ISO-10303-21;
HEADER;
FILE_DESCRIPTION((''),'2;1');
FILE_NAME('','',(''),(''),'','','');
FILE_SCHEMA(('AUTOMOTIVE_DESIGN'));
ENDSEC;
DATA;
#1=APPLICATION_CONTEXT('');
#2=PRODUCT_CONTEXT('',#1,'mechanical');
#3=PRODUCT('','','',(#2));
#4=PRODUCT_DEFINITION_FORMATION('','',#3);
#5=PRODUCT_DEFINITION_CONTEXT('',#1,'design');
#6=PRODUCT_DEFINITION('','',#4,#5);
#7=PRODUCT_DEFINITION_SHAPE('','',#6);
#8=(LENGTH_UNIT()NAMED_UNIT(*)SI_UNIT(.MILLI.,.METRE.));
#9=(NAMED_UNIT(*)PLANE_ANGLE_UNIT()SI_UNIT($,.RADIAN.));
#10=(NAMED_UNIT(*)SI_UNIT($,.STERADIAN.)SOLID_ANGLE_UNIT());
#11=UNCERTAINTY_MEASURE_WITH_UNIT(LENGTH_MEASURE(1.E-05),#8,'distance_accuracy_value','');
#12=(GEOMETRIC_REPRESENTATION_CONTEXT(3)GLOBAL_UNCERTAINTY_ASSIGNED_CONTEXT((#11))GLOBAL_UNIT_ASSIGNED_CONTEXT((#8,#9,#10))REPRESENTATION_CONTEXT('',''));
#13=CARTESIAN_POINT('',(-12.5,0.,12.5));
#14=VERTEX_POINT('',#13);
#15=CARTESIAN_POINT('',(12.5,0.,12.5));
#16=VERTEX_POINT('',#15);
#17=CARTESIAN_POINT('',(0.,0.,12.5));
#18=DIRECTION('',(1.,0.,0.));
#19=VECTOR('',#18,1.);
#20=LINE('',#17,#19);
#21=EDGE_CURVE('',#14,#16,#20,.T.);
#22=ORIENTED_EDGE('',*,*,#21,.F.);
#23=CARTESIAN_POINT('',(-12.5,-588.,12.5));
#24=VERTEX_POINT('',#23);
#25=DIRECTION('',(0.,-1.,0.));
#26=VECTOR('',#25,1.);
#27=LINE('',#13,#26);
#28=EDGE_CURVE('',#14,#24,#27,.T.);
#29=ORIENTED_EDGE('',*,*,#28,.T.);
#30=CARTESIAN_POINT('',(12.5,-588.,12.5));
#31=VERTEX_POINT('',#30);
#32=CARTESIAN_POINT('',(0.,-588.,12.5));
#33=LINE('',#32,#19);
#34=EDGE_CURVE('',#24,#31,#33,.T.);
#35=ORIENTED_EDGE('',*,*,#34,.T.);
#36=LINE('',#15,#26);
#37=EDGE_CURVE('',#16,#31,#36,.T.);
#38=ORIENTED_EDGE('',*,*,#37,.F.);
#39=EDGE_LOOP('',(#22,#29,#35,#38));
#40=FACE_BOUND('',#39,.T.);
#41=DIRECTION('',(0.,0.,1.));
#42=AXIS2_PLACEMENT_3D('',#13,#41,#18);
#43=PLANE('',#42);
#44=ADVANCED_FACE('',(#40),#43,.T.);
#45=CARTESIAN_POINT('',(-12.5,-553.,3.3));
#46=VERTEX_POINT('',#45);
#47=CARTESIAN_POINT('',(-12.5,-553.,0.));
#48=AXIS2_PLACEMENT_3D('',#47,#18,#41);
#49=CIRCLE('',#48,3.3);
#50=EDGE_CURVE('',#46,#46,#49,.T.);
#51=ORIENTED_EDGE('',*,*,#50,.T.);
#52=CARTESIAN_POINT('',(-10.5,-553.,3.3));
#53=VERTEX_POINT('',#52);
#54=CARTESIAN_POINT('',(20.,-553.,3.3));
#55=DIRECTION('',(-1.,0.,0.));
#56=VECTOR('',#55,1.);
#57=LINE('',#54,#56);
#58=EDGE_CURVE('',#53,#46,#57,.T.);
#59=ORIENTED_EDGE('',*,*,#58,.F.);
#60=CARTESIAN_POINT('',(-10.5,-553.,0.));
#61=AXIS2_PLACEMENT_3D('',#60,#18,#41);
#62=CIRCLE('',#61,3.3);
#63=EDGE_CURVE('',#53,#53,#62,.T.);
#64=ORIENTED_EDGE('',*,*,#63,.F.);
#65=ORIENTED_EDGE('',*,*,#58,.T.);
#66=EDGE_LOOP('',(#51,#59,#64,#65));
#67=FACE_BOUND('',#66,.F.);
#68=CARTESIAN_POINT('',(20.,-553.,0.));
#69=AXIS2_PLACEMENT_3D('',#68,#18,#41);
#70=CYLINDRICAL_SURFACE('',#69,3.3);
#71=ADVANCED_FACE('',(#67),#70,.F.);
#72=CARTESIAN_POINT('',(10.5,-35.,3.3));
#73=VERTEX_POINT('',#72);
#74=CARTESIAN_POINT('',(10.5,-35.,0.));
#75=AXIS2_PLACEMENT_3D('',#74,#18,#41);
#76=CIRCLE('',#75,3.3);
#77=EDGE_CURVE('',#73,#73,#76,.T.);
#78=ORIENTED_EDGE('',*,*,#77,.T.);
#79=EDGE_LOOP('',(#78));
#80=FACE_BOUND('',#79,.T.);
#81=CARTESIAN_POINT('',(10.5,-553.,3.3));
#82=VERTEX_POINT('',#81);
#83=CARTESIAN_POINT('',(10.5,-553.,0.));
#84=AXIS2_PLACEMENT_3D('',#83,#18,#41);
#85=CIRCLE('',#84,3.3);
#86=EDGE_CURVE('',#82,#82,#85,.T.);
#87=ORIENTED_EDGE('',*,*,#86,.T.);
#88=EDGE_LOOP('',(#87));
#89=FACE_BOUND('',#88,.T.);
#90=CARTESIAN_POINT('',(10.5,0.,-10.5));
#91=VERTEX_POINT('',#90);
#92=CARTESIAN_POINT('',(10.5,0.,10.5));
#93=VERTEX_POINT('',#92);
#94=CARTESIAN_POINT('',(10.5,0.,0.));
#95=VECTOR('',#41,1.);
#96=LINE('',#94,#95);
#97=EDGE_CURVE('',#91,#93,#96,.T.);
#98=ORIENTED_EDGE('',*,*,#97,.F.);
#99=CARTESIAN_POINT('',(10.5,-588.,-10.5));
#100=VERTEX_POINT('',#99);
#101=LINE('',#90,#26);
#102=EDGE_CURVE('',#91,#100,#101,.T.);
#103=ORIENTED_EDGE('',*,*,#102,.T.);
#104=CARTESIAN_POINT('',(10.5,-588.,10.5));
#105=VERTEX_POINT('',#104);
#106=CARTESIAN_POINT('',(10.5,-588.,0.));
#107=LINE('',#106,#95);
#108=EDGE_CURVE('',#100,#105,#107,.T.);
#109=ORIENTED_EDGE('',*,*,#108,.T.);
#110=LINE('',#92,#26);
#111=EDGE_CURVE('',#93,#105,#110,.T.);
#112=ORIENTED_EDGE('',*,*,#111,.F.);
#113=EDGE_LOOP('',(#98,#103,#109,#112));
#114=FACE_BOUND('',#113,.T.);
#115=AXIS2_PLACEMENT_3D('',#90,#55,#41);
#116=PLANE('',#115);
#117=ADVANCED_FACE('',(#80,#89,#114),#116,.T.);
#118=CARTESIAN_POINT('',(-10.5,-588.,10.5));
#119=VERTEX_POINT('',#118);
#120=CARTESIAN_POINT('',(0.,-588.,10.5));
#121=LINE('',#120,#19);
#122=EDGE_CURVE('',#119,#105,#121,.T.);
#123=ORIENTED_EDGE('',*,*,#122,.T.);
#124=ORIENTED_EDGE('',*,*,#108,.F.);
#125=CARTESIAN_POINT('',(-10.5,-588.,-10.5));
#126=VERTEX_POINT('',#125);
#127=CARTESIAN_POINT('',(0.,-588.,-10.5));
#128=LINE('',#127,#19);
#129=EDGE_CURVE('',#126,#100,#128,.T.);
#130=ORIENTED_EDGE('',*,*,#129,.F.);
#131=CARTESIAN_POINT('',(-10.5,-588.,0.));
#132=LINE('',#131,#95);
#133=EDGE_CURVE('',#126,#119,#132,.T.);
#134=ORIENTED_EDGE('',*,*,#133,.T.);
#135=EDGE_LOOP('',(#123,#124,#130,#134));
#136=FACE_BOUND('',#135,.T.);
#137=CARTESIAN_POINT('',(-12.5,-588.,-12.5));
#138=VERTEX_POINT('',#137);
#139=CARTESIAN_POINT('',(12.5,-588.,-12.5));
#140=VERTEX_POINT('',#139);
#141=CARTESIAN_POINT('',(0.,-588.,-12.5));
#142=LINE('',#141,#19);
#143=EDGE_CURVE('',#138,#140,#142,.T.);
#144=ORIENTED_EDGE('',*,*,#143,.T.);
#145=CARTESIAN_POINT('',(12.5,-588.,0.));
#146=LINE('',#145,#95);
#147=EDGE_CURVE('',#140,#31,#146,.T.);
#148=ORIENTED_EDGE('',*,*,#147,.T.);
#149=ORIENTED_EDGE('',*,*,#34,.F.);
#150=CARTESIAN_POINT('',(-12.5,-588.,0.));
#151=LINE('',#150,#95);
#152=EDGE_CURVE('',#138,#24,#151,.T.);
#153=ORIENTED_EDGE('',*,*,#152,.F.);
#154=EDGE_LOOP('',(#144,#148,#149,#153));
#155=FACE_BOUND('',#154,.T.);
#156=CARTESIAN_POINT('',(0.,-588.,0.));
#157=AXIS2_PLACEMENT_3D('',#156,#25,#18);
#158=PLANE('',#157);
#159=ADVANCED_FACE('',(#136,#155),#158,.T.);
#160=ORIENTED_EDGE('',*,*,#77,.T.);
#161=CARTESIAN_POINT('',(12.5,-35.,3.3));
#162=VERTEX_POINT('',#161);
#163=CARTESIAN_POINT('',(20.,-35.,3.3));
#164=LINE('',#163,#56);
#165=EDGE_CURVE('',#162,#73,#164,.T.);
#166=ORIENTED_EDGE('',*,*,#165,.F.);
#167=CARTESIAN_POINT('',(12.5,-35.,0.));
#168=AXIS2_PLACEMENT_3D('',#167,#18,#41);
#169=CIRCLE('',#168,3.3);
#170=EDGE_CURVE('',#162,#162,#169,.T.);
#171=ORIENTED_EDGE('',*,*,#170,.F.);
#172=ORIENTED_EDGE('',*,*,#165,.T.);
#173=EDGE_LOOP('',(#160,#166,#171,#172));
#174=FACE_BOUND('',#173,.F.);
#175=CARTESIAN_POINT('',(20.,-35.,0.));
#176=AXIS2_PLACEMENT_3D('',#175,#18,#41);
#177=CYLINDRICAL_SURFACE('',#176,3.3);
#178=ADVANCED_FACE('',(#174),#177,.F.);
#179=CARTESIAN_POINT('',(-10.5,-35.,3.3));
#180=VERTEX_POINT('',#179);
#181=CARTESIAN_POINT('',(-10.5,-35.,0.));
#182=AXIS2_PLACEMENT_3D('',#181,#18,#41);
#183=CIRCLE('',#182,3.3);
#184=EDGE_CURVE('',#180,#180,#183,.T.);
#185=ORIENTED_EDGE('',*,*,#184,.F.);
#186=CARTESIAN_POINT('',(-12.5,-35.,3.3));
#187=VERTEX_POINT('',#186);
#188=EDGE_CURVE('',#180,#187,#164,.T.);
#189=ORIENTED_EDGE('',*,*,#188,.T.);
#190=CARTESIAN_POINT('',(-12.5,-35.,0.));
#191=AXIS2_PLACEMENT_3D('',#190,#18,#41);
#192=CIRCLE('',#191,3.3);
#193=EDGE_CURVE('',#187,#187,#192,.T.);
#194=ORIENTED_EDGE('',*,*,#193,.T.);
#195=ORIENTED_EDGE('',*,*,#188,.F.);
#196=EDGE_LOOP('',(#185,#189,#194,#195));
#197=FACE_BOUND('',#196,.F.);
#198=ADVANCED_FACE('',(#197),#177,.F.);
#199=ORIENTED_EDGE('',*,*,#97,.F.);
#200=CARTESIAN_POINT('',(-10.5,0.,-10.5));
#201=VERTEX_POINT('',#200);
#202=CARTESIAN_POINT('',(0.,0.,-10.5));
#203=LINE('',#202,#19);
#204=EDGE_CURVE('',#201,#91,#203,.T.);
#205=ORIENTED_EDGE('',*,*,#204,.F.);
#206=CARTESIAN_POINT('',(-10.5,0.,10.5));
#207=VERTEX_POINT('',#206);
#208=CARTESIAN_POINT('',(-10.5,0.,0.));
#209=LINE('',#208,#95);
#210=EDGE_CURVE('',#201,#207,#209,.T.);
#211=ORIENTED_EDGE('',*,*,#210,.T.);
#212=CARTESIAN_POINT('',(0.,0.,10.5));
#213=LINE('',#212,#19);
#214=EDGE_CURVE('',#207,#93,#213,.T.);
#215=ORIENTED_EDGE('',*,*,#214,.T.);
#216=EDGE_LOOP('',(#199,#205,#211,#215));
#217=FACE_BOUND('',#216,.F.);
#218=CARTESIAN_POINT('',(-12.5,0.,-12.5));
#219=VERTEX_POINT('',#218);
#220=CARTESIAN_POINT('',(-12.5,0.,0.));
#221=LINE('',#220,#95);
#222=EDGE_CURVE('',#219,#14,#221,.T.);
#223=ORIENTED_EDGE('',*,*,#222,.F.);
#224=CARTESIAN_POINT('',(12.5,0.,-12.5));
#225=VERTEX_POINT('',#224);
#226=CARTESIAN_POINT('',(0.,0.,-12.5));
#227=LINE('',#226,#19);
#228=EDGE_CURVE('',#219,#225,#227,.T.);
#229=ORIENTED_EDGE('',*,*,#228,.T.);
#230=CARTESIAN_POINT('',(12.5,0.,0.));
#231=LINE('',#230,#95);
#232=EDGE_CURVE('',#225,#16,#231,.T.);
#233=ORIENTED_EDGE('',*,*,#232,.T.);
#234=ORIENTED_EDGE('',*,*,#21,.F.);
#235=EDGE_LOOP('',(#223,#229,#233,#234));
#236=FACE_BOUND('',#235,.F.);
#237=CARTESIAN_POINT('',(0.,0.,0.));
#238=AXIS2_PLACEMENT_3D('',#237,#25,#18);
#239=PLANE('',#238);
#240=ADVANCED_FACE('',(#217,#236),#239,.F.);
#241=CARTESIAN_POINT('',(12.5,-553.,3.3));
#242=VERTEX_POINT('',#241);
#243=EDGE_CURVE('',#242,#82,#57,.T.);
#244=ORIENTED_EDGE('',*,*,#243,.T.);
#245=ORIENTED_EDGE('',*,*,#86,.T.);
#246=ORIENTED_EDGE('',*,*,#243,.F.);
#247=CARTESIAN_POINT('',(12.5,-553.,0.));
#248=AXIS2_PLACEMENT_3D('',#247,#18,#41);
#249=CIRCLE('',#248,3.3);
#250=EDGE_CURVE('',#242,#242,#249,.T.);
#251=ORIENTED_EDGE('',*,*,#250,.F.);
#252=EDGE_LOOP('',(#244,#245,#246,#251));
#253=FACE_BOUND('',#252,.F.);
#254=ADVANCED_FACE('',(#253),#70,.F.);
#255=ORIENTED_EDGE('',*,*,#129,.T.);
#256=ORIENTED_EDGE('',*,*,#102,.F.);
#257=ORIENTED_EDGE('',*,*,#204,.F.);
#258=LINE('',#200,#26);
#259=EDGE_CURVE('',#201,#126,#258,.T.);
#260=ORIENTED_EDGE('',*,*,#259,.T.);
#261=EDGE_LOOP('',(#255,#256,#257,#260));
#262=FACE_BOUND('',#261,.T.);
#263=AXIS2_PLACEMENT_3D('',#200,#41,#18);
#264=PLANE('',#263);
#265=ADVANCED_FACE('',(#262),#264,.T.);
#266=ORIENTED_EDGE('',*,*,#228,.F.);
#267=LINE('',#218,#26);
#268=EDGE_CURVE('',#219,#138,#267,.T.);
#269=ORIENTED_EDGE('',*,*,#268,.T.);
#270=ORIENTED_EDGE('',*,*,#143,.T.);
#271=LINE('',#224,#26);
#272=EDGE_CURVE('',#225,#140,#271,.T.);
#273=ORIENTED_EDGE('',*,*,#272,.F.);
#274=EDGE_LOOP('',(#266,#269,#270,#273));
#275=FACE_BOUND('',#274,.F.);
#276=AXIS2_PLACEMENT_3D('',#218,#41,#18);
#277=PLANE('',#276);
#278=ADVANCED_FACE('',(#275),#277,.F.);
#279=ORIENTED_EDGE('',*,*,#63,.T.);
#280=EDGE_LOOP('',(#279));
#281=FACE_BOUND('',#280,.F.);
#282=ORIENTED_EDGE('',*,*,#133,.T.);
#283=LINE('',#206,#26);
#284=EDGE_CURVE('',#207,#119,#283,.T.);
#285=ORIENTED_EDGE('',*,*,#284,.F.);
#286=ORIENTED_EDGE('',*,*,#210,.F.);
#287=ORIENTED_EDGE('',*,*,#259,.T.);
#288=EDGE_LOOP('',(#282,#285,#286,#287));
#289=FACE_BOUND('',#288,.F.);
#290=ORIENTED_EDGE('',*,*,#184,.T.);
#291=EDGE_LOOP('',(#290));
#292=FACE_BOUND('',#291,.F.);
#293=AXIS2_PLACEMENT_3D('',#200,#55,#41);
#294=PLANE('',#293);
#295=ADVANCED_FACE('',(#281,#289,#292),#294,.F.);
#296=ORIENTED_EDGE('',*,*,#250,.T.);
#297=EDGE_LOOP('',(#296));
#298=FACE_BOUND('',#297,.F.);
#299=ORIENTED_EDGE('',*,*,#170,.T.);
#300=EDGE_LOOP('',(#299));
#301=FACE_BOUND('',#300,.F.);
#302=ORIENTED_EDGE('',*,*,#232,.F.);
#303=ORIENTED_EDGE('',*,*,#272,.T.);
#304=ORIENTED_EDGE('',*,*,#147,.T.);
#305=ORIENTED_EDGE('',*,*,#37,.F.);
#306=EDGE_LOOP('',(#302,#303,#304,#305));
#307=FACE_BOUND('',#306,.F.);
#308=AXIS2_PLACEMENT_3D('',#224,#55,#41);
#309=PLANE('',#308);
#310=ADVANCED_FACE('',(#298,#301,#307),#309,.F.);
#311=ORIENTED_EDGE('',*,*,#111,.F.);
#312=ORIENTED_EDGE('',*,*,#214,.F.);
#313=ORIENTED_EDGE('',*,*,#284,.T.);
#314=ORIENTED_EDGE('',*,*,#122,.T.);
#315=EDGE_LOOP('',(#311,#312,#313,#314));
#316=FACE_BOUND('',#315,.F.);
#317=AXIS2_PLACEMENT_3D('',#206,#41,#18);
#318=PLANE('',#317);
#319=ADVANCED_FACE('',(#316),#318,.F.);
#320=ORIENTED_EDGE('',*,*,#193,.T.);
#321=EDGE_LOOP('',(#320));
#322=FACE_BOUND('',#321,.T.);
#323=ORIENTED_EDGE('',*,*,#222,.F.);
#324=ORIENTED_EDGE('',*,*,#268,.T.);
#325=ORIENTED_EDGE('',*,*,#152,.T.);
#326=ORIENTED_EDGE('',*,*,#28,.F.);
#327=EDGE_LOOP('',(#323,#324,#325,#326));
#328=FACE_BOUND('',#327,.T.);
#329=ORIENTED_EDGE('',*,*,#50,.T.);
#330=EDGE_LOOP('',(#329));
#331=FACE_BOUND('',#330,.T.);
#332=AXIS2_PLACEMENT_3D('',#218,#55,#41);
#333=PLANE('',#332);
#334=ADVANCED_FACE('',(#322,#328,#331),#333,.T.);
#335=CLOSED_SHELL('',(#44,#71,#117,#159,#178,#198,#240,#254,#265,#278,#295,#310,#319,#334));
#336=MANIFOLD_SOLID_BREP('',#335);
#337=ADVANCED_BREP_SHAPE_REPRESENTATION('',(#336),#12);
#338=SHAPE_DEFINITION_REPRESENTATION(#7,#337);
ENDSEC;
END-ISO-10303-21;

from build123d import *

# Parameters (mm, degrees)
SKETCH_W    = 25
SKETCH_H    = 25
SKETCH_W_2  = 21
SKETCH_H_2  = 21
PAD_DEPTH   = 588
SKETCH001_R = 3.3
HOLE_DEPTH  = 32.501


with BuildPart() as part:
    # Sketch → Pad (new body)
    with BuildSketch(Plane.XZ):
        Rectangle(SKETCH_W, SKETCH_H)
        Rectangle(SKETCH_W_2, SKETCH_H_2, mode=Mode.SUBTRACT)
    extrude(amount=PAD_DEPTH)

    # Sketch001 → Hole (cut, through all)
    with BuildSketch(Plane(origin=(20, 0, 0), x_dir=(0, 0, 1), z_dir=(1, 0, 0))):
        with Locations((0, 35)):
            Circle(SKETCH001_R)
        with Locations((0, 553)):
            Circle(SKETCH001_R)
    extrude(amount=-HOLE_DEPTH, mode=Mode.SUBTRACT)


solid = part.part
